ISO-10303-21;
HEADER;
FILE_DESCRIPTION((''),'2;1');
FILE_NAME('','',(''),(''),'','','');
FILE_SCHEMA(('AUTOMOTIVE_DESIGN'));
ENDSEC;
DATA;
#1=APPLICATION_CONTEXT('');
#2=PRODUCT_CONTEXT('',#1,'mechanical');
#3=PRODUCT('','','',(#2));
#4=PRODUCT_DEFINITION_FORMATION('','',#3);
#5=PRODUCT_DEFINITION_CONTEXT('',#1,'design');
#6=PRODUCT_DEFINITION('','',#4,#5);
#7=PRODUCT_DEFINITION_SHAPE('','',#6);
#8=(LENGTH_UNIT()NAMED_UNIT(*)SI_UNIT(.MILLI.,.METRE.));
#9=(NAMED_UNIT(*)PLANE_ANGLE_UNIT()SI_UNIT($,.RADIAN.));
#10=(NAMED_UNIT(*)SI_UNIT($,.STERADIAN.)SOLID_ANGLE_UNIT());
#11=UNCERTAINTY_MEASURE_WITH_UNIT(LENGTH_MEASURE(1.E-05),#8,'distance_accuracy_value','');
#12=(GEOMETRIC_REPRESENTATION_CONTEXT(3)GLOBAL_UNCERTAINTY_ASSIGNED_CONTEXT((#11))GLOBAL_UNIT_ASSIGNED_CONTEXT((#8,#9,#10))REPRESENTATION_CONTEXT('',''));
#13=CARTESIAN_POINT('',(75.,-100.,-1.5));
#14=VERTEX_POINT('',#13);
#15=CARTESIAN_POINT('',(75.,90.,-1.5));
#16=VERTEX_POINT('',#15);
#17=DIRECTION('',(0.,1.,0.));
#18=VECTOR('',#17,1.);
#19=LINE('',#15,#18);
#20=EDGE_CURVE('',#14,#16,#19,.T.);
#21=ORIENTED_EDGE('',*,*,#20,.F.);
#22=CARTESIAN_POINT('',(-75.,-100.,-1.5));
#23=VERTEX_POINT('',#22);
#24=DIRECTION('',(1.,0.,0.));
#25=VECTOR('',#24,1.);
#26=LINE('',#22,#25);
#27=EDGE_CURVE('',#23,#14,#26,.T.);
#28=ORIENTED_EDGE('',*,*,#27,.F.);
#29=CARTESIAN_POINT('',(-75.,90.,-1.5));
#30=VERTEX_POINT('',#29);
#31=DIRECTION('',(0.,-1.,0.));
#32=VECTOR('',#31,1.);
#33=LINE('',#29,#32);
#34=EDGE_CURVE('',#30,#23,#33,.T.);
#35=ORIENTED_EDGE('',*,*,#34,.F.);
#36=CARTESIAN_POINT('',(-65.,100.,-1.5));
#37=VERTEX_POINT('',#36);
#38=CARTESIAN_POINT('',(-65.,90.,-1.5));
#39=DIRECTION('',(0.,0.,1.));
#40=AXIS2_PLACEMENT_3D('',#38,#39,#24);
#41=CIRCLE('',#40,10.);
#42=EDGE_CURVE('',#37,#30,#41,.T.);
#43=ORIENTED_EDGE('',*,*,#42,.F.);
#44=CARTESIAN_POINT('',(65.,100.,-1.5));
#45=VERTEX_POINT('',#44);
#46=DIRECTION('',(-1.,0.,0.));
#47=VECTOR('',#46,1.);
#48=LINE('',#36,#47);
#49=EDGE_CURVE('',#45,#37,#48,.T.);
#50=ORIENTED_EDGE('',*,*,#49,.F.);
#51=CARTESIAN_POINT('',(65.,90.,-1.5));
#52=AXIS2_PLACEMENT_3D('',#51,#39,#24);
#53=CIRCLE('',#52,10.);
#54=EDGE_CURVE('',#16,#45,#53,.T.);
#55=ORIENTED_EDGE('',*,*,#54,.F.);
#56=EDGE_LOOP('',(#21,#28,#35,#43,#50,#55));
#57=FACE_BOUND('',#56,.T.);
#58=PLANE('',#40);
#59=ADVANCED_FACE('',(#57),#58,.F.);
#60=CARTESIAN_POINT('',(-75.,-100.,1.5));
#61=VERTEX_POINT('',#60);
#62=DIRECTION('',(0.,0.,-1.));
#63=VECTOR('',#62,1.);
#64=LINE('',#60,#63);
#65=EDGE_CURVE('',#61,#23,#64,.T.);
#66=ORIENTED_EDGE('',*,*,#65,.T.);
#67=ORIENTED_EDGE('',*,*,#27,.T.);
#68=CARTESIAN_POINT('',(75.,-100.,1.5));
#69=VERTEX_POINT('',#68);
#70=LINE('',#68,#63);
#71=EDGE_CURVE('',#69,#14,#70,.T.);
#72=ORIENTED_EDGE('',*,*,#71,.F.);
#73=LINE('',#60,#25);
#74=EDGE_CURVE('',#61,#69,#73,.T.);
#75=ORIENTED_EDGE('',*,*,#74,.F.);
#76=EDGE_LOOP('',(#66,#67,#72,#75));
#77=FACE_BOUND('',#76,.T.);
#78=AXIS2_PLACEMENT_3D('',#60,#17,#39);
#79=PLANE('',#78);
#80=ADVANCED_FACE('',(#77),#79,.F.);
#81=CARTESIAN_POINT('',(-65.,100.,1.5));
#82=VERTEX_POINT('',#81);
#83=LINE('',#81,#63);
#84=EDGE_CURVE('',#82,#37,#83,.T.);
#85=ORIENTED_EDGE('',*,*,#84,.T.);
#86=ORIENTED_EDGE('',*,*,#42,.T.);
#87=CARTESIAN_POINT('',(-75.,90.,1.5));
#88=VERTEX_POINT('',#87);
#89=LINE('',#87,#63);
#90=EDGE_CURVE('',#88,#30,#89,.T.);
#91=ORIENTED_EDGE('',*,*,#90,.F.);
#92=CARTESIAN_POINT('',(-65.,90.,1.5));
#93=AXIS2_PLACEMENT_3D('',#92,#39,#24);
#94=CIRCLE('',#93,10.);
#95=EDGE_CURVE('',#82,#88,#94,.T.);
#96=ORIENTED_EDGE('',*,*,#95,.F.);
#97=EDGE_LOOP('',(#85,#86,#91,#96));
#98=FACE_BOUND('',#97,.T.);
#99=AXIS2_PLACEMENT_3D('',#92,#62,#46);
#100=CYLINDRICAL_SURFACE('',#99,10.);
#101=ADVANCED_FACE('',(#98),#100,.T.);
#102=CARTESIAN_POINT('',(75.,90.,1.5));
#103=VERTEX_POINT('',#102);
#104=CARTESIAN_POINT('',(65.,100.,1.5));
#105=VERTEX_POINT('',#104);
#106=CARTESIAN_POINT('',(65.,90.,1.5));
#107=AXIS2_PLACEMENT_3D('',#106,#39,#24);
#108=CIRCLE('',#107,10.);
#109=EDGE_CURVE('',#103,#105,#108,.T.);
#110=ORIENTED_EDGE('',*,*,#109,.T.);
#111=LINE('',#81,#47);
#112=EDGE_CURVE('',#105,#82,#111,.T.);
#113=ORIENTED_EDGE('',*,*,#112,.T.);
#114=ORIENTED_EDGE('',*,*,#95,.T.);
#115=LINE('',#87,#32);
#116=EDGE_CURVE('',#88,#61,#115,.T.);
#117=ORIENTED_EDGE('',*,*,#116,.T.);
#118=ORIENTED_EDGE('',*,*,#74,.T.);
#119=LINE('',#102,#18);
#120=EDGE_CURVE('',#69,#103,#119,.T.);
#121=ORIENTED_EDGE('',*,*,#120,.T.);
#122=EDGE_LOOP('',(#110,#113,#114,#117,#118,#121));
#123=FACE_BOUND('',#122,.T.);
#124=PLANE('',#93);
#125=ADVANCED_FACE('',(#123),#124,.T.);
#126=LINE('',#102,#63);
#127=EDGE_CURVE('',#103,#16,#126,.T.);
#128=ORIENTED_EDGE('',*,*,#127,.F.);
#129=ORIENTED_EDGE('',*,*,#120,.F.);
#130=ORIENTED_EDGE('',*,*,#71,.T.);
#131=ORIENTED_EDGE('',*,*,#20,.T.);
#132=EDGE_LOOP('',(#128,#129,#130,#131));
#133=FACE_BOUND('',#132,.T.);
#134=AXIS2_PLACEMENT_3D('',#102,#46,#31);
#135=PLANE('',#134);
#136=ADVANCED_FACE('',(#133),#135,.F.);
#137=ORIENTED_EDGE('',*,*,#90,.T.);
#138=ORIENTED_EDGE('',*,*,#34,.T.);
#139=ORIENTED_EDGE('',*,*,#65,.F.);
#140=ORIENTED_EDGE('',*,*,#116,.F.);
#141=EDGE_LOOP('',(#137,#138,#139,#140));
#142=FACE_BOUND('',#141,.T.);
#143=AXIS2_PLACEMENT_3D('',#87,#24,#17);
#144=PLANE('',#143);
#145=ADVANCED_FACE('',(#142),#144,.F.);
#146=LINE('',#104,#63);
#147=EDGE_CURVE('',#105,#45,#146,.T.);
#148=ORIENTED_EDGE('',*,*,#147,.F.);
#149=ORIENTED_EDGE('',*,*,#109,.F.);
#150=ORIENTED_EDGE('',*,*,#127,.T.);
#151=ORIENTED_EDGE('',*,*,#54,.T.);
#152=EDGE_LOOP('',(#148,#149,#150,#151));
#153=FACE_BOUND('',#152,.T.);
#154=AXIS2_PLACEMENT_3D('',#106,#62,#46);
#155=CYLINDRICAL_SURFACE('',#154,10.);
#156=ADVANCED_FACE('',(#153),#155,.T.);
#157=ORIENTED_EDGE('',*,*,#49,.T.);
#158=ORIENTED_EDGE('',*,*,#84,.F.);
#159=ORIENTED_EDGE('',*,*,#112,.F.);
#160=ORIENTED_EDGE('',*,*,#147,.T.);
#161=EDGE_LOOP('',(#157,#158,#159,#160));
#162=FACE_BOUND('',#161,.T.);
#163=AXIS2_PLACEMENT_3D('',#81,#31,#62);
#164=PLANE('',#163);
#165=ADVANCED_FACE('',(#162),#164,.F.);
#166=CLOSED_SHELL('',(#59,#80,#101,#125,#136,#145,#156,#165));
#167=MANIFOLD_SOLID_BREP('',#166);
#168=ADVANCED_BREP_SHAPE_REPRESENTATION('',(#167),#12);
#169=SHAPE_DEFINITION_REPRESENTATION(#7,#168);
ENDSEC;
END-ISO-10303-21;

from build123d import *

# Parameters (mm, degrees)
EXTRUDE_1_DEPTH = 1.5


with BuildPart() as part:
    # Эскиз1 → Бобышка-Вытянуть1 (new, symmetric)
    with BuildSketch(Plane.XY):
        with BuildLine():
            Line((-65, 100), (65, 100))
            ThreePointArc((65, 100), (72.071067812, 97.071067812), (75, 90))
            Line((75, 90), (75, -100))
            Line((75, -100), (-75, -100))
            Line((-75, -100), (-75, 90))
            ThreePointArc((-75, 90), (-72.071067812, 97.071067812), (-65, 100))
        make_face()
    extrude(amount=EXTRUDE_1_DEPTH, both=True)


solid = part.part
